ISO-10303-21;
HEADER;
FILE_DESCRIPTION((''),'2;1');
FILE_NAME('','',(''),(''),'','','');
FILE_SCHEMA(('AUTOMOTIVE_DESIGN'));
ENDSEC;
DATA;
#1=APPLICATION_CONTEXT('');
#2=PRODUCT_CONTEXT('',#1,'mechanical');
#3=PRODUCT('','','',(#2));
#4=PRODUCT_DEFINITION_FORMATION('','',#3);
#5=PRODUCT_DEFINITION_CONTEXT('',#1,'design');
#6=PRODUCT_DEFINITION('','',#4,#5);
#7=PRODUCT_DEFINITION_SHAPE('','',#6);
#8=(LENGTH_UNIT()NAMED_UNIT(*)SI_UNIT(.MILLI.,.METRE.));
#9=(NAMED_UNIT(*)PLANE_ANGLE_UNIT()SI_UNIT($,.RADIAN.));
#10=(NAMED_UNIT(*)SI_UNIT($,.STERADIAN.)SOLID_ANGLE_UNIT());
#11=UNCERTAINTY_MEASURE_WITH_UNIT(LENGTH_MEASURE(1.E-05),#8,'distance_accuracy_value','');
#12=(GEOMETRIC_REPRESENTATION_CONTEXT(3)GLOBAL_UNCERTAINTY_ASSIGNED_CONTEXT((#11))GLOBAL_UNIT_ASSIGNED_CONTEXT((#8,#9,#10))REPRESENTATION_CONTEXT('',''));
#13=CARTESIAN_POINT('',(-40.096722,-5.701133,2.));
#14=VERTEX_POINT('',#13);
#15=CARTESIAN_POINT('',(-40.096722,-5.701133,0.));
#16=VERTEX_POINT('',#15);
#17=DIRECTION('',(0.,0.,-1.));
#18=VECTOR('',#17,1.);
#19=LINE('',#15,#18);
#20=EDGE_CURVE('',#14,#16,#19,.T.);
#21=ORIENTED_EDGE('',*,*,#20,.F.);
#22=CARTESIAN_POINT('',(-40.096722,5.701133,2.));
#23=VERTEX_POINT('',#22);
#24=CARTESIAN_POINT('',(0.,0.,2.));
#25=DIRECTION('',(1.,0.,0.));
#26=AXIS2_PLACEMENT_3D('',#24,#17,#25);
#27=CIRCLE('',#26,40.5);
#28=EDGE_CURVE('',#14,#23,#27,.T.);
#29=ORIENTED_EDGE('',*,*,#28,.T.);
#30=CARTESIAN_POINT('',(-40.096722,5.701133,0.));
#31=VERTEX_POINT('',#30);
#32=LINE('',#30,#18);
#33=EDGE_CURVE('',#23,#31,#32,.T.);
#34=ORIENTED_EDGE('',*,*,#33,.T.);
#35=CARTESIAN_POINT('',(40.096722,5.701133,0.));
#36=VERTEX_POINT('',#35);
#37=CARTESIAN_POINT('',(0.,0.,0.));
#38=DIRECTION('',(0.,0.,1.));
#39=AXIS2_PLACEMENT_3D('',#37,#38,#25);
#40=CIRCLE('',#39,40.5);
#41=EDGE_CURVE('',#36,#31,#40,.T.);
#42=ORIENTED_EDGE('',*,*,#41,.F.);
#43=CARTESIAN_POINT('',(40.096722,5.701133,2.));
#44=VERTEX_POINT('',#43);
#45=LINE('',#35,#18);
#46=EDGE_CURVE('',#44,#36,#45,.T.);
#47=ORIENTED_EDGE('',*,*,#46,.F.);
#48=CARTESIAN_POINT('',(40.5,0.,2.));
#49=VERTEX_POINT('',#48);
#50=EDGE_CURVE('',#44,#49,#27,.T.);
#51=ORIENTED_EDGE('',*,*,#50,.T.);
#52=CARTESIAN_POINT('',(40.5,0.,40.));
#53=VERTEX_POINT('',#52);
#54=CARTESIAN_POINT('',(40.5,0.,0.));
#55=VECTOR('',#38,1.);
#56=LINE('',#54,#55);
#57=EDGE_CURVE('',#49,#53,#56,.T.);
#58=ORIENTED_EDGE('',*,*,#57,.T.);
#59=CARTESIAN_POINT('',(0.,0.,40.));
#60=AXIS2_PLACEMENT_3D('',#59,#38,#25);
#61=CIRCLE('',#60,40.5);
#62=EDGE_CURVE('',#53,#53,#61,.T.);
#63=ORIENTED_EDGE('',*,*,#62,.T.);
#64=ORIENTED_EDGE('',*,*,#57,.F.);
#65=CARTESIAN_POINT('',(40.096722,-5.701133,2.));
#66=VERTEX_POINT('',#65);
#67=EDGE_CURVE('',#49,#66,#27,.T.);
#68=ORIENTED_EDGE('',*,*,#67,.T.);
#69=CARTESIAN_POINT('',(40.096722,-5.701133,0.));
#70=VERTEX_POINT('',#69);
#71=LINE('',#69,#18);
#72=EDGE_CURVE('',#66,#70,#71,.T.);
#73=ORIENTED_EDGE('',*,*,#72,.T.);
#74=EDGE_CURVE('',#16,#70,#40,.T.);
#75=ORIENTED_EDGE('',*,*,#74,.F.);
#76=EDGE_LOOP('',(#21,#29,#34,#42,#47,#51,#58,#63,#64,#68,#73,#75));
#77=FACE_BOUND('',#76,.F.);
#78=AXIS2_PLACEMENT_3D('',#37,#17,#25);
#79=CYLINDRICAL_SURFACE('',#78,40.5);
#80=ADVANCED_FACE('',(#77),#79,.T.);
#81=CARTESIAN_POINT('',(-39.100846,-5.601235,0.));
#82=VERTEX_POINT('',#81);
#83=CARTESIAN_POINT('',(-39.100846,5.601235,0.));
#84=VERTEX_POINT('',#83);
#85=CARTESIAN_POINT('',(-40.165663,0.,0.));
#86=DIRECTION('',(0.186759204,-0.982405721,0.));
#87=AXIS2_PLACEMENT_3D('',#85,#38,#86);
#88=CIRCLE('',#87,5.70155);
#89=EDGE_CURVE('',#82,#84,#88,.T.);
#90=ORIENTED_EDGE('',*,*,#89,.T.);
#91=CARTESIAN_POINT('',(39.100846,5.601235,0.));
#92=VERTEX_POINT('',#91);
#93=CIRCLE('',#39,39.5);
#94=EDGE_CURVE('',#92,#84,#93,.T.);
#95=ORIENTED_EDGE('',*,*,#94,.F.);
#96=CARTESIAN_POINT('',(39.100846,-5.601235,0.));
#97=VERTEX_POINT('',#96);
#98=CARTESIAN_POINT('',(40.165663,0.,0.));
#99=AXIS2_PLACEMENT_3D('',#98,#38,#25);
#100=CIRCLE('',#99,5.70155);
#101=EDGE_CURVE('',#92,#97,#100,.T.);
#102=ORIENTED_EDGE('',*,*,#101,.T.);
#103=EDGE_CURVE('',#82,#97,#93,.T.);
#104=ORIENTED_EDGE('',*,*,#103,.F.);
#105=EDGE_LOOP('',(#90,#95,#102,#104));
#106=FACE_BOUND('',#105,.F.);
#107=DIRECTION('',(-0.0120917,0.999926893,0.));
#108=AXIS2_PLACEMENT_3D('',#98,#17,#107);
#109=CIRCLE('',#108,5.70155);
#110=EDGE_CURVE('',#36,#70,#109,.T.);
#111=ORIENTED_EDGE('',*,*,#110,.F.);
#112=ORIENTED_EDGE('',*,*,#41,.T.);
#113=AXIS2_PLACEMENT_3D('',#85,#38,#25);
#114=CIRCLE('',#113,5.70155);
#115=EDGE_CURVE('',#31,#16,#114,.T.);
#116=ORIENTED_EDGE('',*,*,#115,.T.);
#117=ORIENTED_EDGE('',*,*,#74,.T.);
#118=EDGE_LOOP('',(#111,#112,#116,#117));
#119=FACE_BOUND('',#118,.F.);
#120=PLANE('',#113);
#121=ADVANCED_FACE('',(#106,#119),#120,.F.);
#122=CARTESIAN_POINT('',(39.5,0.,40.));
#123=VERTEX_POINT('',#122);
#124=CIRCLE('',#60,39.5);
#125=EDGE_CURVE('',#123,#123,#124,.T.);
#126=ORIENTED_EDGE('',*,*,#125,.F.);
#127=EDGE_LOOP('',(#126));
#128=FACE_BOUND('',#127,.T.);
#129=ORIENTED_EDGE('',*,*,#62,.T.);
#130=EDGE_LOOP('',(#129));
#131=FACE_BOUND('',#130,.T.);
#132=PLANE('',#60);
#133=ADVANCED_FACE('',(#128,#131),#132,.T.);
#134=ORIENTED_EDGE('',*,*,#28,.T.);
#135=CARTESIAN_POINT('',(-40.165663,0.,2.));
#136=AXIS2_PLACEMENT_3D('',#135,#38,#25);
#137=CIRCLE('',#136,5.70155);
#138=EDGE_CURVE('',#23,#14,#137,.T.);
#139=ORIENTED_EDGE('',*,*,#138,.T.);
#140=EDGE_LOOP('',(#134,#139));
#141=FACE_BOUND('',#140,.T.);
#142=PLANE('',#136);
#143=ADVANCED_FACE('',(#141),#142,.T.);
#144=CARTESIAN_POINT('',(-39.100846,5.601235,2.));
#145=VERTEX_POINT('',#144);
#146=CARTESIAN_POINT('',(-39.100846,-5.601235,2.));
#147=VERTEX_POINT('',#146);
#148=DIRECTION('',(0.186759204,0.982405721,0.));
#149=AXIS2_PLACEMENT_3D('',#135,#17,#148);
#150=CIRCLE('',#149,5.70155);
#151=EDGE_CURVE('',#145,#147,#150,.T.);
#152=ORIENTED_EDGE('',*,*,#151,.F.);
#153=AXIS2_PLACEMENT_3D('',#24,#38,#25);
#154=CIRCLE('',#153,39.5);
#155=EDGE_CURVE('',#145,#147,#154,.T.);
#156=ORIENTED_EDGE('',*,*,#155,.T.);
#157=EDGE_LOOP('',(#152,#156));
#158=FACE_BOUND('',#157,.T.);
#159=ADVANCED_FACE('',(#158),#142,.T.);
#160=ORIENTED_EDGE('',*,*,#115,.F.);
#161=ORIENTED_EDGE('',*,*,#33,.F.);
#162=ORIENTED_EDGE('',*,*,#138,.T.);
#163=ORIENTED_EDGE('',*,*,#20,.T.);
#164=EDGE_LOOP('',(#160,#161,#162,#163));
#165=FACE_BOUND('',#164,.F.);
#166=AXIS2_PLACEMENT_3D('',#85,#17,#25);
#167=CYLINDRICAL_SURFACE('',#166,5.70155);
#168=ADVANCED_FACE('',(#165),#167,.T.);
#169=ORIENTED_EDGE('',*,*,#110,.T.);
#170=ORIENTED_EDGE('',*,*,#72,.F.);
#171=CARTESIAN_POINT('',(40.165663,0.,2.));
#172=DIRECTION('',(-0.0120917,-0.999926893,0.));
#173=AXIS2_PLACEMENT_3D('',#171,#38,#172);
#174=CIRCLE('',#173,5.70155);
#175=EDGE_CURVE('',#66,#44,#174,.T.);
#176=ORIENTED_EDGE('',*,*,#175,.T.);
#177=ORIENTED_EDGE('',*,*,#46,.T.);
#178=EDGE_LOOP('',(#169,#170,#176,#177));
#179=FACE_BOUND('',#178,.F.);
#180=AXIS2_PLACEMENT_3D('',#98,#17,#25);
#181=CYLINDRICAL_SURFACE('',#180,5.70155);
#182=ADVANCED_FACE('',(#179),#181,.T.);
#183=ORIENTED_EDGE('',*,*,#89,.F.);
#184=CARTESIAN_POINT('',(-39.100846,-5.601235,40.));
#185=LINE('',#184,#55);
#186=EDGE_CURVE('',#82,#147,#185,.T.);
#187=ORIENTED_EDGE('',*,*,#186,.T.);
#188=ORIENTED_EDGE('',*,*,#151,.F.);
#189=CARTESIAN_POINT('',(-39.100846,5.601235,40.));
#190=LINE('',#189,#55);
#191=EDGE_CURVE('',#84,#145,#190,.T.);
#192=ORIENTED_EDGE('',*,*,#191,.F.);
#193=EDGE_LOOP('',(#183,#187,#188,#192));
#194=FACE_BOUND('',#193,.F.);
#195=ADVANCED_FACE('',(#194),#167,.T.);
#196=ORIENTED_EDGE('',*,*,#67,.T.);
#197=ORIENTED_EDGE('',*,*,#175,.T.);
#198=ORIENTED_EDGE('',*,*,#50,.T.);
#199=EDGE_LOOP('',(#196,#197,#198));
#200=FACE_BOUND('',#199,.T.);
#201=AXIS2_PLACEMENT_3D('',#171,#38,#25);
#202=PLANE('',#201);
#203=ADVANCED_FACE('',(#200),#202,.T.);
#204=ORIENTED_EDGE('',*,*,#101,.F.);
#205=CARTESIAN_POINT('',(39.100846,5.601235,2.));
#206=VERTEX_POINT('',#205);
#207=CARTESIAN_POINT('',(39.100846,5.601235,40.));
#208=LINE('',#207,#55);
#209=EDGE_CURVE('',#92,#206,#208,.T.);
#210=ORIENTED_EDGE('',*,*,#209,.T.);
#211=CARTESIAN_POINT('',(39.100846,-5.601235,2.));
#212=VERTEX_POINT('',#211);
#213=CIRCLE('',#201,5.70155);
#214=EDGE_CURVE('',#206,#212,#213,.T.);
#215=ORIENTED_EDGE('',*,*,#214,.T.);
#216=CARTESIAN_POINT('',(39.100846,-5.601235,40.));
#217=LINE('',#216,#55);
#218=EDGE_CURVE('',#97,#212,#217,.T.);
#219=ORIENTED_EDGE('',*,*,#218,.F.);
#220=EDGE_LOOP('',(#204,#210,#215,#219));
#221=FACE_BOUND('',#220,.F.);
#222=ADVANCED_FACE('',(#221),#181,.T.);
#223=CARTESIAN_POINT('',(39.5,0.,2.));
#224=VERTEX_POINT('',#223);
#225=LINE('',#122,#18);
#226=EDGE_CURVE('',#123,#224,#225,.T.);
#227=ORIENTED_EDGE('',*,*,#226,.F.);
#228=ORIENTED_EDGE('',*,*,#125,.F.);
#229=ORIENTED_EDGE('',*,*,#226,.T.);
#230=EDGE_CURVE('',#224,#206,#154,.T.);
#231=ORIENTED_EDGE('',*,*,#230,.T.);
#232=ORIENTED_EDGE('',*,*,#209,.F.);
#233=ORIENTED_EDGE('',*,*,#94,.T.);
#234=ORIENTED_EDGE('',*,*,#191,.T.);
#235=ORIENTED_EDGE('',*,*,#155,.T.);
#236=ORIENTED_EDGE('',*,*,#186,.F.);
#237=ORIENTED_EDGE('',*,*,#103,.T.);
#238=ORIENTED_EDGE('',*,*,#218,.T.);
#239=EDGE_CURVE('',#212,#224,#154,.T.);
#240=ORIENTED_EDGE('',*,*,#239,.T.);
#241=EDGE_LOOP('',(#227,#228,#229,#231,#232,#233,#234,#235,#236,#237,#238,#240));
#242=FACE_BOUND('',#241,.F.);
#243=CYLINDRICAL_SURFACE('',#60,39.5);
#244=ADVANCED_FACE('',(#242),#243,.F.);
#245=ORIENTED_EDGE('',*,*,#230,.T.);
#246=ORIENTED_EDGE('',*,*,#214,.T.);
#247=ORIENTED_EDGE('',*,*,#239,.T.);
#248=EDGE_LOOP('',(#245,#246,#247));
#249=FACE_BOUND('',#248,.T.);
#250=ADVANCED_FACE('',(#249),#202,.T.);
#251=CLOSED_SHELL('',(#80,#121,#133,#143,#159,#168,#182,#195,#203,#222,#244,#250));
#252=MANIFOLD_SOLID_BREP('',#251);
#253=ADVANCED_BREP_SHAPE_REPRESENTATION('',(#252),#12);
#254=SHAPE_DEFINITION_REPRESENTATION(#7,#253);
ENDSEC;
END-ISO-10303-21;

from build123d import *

# Parameters (mm, degrees)
F0_R     = 40.5
F1_DEPTH = 40
F2_R     = 39.5
F3_DEPTH = 42
F4_R     = 5.70155
F5_DEPTH = 2


with BuildPart() as f1:
    # F0 (on Top) → F1 (new body)
    with BuildSketch(Plane.XY):
        Circle(F0_R)
    extrude(amount=F1_DEPTH)

    # F2 (on face) → F3 (cut)
    with BuildSketch(Plane.XY.offset(40)):
        Circle(F2_R)
    extrude(amount=-F3_DEPTH, mode=Mode.SUBTRACT)

    # F4 (on Top) → F5 (join)
    with BuildSketch(Plane.XY):
        with Locations((-40.165663, 0)):
            Circle(F4_R)
        with Locations((40.165663, 0)):
            Circle(F4_R)
    extrude(amount=F5_DEPTH)


solid = f1.part
